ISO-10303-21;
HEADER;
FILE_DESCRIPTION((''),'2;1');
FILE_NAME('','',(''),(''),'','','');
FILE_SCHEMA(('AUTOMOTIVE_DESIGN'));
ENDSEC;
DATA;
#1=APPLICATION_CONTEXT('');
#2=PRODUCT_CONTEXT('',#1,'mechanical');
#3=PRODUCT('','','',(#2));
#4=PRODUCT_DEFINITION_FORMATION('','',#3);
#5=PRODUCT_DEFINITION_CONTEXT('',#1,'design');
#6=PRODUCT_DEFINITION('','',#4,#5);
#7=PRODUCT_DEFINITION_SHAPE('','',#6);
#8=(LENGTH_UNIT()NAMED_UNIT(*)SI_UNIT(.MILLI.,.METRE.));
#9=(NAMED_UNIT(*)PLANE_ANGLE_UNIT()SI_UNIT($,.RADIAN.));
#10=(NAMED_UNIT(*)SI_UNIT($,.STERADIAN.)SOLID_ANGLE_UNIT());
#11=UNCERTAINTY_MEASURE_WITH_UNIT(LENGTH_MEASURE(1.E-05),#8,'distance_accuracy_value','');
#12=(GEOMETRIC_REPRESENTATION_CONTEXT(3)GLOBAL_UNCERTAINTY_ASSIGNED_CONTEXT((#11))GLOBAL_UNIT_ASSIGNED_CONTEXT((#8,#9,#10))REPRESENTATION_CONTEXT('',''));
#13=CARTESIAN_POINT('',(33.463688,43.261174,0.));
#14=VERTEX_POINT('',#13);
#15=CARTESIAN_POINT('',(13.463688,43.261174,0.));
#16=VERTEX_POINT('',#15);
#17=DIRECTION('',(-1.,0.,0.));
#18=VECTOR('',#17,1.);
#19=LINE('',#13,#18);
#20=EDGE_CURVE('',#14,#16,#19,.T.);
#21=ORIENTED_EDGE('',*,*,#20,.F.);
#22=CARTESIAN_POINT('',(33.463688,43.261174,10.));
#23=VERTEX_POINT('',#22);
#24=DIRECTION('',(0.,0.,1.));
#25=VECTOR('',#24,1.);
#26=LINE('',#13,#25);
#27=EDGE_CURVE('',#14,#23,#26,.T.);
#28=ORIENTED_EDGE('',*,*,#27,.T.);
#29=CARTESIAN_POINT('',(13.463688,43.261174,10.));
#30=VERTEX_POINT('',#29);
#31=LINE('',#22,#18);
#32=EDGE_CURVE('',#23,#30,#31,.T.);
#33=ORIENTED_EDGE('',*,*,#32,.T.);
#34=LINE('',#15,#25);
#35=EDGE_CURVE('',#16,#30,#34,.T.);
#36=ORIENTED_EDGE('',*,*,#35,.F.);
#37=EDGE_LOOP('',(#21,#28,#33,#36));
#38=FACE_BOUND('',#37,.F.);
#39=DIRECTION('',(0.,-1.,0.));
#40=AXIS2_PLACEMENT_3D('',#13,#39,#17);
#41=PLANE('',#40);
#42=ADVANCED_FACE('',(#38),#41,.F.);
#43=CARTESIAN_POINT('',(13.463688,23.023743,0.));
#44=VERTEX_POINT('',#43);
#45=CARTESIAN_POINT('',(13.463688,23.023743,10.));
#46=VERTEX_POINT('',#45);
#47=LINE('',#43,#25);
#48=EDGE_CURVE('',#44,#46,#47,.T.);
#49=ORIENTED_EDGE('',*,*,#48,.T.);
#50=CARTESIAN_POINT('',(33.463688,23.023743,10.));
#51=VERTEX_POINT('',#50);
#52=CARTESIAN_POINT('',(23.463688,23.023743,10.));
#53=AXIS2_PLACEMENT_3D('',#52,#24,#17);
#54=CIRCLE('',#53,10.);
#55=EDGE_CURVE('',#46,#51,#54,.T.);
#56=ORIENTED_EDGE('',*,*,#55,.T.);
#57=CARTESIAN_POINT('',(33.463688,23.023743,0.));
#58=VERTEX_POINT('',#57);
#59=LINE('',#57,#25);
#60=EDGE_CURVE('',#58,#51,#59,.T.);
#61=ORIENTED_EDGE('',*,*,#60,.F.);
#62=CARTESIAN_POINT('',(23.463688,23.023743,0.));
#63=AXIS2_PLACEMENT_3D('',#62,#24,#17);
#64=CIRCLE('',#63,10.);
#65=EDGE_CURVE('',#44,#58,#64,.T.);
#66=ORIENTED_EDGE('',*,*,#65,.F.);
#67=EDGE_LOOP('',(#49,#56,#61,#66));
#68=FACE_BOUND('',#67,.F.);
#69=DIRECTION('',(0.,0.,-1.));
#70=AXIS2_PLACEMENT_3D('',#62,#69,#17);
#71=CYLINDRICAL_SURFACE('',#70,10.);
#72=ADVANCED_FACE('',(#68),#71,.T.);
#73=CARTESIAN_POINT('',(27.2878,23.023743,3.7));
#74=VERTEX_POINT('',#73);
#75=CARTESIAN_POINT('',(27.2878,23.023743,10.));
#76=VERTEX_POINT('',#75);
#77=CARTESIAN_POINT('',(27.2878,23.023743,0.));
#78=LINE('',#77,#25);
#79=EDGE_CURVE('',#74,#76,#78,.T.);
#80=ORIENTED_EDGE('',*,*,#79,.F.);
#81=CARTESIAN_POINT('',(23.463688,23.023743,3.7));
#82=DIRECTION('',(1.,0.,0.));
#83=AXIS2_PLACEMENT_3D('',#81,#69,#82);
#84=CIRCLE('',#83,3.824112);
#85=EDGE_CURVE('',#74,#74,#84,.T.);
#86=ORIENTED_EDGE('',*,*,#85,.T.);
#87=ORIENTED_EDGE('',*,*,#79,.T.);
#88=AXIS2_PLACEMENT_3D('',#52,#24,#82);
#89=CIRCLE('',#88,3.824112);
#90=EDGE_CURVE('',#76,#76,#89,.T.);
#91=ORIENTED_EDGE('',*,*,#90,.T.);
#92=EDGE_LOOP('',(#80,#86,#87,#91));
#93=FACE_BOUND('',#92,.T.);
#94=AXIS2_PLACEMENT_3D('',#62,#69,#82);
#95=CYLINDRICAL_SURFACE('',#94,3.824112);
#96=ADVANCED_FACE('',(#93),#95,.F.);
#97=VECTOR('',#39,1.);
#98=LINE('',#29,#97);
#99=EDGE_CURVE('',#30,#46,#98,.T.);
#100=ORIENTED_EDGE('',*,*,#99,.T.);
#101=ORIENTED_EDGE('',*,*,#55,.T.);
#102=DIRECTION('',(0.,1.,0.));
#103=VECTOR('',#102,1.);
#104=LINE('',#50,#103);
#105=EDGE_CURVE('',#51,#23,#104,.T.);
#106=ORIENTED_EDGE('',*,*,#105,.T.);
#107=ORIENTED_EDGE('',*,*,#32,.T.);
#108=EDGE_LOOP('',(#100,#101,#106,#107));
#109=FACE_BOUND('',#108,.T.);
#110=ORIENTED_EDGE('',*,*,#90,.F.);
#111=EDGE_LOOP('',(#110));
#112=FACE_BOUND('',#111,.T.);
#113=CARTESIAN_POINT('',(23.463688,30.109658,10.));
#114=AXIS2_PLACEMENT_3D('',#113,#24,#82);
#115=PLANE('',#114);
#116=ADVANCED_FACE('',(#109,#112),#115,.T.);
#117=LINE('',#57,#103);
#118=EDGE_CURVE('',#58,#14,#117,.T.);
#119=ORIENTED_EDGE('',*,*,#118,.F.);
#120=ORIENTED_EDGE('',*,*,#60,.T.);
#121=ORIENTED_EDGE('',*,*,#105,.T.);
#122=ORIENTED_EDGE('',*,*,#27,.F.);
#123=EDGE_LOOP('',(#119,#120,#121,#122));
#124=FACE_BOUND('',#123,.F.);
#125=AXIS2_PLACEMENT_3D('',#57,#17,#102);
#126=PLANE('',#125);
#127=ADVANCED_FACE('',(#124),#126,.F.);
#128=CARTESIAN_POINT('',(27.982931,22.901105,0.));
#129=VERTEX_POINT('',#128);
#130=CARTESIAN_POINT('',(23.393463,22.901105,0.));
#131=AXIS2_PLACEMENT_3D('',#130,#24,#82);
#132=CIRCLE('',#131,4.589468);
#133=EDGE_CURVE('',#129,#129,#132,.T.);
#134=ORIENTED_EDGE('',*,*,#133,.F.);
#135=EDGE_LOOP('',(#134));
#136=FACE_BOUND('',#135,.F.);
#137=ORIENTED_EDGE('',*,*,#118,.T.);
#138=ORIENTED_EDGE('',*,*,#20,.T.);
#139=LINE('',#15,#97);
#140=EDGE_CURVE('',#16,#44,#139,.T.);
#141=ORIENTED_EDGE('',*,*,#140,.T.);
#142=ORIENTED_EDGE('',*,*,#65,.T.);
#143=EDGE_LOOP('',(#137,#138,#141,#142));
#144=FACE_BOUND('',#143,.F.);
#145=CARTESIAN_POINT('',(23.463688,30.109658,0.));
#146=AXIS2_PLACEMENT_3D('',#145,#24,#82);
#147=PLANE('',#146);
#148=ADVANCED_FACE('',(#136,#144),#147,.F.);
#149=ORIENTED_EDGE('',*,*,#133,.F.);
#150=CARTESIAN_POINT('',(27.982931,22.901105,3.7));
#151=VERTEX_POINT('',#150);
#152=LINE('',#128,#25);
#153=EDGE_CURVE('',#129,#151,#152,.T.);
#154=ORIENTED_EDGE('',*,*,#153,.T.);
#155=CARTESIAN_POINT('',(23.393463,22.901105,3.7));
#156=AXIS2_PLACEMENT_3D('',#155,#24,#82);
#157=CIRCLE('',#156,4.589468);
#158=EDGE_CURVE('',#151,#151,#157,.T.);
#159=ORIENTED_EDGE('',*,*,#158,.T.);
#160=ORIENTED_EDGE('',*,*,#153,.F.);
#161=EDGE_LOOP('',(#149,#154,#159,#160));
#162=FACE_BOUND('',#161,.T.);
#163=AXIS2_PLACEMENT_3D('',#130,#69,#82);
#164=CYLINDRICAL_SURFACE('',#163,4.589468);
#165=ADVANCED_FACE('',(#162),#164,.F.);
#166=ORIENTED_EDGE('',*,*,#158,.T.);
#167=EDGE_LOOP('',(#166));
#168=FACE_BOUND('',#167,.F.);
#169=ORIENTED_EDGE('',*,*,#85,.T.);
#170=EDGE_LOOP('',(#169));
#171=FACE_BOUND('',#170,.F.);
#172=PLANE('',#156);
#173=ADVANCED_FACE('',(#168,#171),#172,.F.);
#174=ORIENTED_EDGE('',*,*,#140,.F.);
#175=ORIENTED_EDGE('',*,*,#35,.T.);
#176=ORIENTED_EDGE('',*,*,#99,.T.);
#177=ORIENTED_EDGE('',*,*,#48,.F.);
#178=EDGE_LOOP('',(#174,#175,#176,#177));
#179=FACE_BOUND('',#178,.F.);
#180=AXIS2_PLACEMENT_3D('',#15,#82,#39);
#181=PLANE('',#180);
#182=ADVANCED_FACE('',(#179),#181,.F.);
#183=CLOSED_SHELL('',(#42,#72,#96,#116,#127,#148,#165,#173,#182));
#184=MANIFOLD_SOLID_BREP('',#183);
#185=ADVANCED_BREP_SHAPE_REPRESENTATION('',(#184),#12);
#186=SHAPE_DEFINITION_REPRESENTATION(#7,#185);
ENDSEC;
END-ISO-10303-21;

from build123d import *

# Parameters (mm, degrees)
F0_R     = 6.1870864942
F0_R_2   = 3.8241120886
F2_DEPTH = 10
F3_R     = 4.5894677587
F4_DEPTH = 3.7


with BuildPart() as f2:
    # F0 (on Top) → F2 (new body)
    with BuildSketch(Plane.XY):
        with BuildLine():
            Line((33.4636883251, 43.2611741126), (13.4636883251, 43.2611741126))
            Line((13.4636883251, 43.2611741126), (13.4636883251, 27.7164801955))
            Line((13.4636883251, 27.7164801955), (13.4636883251, 23.0237431824))
            ThreePointArc((13.4636883251, 23.0237431824), (23.4636883251, 13.0237431824), (33.4636883251, 23.0237431824))
            Line((33.4636883251, 23.0237431824), (33.4636883251, 43.2611741126))
        make_face()
        with Locations((23.4636883251, 23.0237431824)):
            Circle(F0_R, mode=Mode.SUBTRACT)
        with Locations((23.4636883251, 23.0237431824)):
            Circle(F0_R)
        with Locations((23.4636883251, 23.0237431824)):
            Circle(F0_R_2, mode=Mode.SUBTRACT)
    extrude(amount=F2_DEPTH)

    # F3 (on Top) → F4 (cut)
    with BuildSketch(Plane.XY):
        with Locations((23.3934633434, 22.9011047632)):
            Circle(F3_R)
    extrude(amount=F4_DEPTH, mode=Mode.SUBTRACT)


solid = f2.part
